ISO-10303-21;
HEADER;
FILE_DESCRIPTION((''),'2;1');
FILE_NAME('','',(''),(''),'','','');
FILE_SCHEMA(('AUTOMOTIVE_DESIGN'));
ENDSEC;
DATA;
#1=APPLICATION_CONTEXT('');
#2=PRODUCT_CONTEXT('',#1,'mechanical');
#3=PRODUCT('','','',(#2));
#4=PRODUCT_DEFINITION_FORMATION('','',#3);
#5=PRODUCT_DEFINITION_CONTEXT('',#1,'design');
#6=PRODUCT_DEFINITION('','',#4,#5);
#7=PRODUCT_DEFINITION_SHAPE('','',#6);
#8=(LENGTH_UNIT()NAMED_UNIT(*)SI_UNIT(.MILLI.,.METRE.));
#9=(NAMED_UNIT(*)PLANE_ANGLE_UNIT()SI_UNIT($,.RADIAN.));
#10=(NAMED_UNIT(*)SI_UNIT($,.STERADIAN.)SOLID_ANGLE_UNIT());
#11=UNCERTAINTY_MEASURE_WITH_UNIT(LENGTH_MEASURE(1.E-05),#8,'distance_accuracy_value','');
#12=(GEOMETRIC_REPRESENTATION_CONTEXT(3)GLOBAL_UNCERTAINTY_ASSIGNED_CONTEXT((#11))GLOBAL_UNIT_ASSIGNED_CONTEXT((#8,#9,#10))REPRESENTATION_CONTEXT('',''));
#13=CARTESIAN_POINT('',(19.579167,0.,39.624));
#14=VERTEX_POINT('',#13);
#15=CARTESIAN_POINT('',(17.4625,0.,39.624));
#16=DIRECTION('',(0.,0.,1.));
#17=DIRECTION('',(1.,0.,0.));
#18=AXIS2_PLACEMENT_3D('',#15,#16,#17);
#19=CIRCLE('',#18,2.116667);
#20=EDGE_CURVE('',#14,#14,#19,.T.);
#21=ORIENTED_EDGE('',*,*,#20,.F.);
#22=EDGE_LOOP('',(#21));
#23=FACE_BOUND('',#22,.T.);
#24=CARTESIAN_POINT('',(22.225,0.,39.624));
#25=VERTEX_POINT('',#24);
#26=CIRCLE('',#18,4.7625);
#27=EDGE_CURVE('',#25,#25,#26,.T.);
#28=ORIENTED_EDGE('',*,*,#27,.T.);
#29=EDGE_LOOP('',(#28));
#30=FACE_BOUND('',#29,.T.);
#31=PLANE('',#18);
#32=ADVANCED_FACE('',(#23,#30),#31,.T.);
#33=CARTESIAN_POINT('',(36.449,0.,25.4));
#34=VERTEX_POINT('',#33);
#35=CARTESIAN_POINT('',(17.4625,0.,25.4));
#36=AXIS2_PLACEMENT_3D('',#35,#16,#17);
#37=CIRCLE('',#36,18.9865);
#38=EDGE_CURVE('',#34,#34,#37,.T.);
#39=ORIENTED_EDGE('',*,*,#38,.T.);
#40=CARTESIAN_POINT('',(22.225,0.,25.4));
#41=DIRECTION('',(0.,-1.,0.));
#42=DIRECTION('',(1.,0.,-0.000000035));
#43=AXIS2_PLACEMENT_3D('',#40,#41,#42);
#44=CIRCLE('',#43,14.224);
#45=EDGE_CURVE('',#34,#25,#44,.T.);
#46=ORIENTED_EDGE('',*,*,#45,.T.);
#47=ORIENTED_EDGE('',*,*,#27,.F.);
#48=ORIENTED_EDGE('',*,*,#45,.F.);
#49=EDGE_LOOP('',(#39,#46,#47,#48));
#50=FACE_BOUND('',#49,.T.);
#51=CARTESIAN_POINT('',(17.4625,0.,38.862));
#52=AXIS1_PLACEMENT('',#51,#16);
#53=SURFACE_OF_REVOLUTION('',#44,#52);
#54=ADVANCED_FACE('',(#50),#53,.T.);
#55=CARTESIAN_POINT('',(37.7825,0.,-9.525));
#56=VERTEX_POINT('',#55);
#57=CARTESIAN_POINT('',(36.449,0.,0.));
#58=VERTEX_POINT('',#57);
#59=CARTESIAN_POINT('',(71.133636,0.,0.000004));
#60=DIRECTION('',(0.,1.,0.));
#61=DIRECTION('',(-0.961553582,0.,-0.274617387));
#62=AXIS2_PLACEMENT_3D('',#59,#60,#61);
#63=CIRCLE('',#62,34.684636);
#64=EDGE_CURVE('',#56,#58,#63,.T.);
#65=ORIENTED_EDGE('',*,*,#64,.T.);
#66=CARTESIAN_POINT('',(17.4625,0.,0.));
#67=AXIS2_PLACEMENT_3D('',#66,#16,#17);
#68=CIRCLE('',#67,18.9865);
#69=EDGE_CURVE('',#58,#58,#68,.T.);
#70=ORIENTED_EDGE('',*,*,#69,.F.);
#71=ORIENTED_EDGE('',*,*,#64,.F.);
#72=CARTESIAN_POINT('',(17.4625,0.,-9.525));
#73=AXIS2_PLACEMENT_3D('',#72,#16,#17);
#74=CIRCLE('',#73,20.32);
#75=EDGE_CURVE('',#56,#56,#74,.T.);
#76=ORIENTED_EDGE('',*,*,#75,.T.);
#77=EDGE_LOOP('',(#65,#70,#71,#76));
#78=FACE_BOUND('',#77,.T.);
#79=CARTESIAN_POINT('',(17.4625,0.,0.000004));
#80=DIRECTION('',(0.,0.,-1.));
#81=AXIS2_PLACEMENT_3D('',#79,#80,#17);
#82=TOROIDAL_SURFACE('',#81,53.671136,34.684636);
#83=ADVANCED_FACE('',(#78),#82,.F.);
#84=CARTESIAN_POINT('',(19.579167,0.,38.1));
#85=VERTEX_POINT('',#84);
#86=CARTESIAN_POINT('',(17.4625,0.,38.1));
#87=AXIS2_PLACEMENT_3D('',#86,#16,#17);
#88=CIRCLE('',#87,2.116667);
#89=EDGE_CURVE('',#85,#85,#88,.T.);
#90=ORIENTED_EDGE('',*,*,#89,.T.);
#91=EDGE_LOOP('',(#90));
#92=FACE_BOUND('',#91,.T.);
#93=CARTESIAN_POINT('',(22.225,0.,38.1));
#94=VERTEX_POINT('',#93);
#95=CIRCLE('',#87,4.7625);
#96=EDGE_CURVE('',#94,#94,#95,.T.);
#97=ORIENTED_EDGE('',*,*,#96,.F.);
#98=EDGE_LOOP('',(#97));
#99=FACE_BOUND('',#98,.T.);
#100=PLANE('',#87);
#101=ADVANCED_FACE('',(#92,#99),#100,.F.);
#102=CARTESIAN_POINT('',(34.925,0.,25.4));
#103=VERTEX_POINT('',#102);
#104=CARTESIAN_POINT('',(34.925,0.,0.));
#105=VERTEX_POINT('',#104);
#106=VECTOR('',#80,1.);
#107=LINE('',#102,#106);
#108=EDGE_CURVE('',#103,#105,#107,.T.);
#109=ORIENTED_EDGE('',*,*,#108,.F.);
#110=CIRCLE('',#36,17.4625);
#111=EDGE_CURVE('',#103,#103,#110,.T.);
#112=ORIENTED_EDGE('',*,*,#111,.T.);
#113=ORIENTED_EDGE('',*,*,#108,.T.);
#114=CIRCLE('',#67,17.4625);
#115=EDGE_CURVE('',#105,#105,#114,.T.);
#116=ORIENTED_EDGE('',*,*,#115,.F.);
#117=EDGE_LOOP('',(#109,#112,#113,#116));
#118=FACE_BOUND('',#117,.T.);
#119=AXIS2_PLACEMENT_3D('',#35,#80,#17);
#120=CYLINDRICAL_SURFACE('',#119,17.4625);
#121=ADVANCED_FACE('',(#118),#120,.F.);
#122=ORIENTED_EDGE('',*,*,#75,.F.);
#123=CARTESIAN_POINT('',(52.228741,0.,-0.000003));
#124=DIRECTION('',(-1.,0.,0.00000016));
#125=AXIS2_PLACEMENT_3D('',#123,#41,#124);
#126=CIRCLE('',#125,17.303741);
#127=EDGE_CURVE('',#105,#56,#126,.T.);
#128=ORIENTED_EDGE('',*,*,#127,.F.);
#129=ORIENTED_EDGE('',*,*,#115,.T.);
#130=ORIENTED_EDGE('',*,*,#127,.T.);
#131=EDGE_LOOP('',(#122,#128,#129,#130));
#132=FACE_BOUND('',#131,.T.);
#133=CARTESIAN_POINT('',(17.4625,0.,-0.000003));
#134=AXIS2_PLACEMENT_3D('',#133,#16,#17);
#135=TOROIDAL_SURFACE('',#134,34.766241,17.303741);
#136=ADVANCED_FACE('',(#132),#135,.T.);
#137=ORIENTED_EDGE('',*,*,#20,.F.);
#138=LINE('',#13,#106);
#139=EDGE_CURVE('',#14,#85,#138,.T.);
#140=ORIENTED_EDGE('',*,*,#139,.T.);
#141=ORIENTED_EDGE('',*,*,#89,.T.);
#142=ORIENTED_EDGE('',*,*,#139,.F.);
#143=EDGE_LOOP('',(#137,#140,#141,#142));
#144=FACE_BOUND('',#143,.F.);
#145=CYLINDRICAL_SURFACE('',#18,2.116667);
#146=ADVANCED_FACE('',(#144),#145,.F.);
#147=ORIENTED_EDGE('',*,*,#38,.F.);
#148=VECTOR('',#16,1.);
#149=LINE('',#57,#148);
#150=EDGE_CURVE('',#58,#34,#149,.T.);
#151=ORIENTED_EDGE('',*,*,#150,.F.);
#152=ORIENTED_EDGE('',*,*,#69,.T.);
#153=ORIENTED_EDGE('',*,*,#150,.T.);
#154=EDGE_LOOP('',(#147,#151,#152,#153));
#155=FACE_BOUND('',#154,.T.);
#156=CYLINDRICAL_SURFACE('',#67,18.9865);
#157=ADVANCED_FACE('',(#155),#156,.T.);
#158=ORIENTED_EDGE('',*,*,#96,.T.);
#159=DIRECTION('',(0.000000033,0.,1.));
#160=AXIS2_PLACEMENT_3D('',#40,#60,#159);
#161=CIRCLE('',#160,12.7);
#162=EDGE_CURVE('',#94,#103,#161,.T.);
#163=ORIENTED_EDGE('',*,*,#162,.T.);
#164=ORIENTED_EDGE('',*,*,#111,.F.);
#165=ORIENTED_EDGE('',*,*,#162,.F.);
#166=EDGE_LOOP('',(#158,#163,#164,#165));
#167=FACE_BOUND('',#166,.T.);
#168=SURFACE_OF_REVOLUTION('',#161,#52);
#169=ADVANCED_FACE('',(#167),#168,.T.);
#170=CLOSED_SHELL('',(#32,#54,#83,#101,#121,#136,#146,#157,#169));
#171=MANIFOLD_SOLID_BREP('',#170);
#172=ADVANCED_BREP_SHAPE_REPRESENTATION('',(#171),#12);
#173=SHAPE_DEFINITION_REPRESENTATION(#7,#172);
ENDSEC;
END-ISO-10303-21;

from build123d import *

# Parameters (mm, degrees)
F2_R     = 2.116667
F3_DEPTH = 1.524


with BuildPart() as f1:
    # F0 (on Front) → F1 (revolve)
    with BuildSketch(Plane.XZ):
        with BuildLine():
            Line((17.4625, 39.624), (17.4625, 38.1))
            Line((17.4625, 38.1), (22.225, 38.1))
            ThreePointArc((22.225, 38.1), (31.205256, 34.380256), (34.925, 25.4))
            Line((34.925, 25.4), (34.925, 0))
            ThreePointArc((34.925, 0), (35.654763, -4.972196), (37.7825, -9.525))
            ThreePointArc((37.7825, -9.525), (36.783993, -4.808946), (36.449, 0))
            Line((36.449, 0), (36.449, 25.4))
            ThreePointArc((36.449, 25.4), (32.282887, 35.457887), (22.225, 39.624))
            Line((22.225, 39.624), (17.4625, 39.624))
        make_face()
    revolve(axis=Axis((17.4625, 0, 38.862), (0, 0, 1)))

    # F2 (on face) → F3 (cut, through all)
    with BuildSketch(Plane.XY.offset(39.624)):
        with Locations((17.4625, 0)):
            Circle(F2_R)
    extrude(amount=-F3_DEPTH, mode=Mode.SUBTRACT)


solid = f1.part
